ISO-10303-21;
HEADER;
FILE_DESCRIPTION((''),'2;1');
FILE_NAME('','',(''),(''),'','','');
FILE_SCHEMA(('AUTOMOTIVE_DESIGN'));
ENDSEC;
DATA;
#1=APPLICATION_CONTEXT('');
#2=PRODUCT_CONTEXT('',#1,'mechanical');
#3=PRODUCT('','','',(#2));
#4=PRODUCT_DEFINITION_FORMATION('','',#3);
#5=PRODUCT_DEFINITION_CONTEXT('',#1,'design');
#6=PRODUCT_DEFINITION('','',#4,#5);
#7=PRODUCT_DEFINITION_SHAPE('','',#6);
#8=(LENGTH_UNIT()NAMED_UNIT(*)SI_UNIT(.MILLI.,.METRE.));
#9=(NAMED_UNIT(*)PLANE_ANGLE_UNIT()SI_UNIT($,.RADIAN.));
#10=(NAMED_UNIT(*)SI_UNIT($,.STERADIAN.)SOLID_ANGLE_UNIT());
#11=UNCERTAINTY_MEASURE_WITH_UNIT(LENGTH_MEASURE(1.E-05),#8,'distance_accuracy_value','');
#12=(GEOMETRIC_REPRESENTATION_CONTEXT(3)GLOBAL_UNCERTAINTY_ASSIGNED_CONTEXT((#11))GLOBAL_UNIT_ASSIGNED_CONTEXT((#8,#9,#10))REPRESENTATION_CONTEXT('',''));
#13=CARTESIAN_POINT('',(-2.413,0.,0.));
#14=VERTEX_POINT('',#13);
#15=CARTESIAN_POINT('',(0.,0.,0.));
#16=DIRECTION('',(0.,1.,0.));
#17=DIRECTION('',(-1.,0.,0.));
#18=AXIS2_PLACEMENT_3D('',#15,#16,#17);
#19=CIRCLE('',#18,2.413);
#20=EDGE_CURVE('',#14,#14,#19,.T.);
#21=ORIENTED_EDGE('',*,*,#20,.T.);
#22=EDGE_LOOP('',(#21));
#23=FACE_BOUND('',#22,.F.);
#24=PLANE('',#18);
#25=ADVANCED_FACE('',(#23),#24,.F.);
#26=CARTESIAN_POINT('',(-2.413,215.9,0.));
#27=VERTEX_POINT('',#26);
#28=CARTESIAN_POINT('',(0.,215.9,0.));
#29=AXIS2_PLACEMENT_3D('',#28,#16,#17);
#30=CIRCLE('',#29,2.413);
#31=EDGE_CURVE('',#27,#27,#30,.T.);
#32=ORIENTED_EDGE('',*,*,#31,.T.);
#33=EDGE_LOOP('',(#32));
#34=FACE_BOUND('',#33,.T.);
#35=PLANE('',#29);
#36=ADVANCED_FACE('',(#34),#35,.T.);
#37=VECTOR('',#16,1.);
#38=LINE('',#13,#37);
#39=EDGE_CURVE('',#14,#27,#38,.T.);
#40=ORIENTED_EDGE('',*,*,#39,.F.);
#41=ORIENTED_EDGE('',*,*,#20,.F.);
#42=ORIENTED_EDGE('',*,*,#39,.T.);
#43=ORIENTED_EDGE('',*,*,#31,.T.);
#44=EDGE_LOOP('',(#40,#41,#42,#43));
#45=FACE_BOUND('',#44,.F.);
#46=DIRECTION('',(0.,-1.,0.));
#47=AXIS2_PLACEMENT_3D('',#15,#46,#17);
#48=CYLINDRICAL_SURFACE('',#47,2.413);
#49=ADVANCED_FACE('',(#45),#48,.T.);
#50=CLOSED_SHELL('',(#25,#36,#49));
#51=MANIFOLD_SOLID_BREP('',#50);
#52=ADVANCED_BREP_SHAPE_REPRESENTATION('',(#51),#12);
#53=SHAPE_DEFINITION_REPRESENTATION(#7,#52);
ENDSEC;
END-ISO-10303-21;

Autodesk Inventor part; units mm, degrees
ref_plane "YZ Plane" through (0, 0, 0) normal (1, 0, 0) x (0, 1, 0)
ref_plane "XZ Plane" through (0, 0, 0) normal (0, 1, 0) x (-1, 0, 0)
ref_plane "XY Plane" through (0, 0, 0) normal (0, 0, 1) x (1, 0, 0)
sketch "Sketch1" plane through (0, 0, 0) normal (0, 1, 0) x (-1, 0, 0)
  circle A0 centre (0, 0) radius 2.413
  dimension "d0" = 4.826
extrude "Extrusion1" add sketch "Sketch1" along normal blind 215.9
properties part number "threaded rod"
